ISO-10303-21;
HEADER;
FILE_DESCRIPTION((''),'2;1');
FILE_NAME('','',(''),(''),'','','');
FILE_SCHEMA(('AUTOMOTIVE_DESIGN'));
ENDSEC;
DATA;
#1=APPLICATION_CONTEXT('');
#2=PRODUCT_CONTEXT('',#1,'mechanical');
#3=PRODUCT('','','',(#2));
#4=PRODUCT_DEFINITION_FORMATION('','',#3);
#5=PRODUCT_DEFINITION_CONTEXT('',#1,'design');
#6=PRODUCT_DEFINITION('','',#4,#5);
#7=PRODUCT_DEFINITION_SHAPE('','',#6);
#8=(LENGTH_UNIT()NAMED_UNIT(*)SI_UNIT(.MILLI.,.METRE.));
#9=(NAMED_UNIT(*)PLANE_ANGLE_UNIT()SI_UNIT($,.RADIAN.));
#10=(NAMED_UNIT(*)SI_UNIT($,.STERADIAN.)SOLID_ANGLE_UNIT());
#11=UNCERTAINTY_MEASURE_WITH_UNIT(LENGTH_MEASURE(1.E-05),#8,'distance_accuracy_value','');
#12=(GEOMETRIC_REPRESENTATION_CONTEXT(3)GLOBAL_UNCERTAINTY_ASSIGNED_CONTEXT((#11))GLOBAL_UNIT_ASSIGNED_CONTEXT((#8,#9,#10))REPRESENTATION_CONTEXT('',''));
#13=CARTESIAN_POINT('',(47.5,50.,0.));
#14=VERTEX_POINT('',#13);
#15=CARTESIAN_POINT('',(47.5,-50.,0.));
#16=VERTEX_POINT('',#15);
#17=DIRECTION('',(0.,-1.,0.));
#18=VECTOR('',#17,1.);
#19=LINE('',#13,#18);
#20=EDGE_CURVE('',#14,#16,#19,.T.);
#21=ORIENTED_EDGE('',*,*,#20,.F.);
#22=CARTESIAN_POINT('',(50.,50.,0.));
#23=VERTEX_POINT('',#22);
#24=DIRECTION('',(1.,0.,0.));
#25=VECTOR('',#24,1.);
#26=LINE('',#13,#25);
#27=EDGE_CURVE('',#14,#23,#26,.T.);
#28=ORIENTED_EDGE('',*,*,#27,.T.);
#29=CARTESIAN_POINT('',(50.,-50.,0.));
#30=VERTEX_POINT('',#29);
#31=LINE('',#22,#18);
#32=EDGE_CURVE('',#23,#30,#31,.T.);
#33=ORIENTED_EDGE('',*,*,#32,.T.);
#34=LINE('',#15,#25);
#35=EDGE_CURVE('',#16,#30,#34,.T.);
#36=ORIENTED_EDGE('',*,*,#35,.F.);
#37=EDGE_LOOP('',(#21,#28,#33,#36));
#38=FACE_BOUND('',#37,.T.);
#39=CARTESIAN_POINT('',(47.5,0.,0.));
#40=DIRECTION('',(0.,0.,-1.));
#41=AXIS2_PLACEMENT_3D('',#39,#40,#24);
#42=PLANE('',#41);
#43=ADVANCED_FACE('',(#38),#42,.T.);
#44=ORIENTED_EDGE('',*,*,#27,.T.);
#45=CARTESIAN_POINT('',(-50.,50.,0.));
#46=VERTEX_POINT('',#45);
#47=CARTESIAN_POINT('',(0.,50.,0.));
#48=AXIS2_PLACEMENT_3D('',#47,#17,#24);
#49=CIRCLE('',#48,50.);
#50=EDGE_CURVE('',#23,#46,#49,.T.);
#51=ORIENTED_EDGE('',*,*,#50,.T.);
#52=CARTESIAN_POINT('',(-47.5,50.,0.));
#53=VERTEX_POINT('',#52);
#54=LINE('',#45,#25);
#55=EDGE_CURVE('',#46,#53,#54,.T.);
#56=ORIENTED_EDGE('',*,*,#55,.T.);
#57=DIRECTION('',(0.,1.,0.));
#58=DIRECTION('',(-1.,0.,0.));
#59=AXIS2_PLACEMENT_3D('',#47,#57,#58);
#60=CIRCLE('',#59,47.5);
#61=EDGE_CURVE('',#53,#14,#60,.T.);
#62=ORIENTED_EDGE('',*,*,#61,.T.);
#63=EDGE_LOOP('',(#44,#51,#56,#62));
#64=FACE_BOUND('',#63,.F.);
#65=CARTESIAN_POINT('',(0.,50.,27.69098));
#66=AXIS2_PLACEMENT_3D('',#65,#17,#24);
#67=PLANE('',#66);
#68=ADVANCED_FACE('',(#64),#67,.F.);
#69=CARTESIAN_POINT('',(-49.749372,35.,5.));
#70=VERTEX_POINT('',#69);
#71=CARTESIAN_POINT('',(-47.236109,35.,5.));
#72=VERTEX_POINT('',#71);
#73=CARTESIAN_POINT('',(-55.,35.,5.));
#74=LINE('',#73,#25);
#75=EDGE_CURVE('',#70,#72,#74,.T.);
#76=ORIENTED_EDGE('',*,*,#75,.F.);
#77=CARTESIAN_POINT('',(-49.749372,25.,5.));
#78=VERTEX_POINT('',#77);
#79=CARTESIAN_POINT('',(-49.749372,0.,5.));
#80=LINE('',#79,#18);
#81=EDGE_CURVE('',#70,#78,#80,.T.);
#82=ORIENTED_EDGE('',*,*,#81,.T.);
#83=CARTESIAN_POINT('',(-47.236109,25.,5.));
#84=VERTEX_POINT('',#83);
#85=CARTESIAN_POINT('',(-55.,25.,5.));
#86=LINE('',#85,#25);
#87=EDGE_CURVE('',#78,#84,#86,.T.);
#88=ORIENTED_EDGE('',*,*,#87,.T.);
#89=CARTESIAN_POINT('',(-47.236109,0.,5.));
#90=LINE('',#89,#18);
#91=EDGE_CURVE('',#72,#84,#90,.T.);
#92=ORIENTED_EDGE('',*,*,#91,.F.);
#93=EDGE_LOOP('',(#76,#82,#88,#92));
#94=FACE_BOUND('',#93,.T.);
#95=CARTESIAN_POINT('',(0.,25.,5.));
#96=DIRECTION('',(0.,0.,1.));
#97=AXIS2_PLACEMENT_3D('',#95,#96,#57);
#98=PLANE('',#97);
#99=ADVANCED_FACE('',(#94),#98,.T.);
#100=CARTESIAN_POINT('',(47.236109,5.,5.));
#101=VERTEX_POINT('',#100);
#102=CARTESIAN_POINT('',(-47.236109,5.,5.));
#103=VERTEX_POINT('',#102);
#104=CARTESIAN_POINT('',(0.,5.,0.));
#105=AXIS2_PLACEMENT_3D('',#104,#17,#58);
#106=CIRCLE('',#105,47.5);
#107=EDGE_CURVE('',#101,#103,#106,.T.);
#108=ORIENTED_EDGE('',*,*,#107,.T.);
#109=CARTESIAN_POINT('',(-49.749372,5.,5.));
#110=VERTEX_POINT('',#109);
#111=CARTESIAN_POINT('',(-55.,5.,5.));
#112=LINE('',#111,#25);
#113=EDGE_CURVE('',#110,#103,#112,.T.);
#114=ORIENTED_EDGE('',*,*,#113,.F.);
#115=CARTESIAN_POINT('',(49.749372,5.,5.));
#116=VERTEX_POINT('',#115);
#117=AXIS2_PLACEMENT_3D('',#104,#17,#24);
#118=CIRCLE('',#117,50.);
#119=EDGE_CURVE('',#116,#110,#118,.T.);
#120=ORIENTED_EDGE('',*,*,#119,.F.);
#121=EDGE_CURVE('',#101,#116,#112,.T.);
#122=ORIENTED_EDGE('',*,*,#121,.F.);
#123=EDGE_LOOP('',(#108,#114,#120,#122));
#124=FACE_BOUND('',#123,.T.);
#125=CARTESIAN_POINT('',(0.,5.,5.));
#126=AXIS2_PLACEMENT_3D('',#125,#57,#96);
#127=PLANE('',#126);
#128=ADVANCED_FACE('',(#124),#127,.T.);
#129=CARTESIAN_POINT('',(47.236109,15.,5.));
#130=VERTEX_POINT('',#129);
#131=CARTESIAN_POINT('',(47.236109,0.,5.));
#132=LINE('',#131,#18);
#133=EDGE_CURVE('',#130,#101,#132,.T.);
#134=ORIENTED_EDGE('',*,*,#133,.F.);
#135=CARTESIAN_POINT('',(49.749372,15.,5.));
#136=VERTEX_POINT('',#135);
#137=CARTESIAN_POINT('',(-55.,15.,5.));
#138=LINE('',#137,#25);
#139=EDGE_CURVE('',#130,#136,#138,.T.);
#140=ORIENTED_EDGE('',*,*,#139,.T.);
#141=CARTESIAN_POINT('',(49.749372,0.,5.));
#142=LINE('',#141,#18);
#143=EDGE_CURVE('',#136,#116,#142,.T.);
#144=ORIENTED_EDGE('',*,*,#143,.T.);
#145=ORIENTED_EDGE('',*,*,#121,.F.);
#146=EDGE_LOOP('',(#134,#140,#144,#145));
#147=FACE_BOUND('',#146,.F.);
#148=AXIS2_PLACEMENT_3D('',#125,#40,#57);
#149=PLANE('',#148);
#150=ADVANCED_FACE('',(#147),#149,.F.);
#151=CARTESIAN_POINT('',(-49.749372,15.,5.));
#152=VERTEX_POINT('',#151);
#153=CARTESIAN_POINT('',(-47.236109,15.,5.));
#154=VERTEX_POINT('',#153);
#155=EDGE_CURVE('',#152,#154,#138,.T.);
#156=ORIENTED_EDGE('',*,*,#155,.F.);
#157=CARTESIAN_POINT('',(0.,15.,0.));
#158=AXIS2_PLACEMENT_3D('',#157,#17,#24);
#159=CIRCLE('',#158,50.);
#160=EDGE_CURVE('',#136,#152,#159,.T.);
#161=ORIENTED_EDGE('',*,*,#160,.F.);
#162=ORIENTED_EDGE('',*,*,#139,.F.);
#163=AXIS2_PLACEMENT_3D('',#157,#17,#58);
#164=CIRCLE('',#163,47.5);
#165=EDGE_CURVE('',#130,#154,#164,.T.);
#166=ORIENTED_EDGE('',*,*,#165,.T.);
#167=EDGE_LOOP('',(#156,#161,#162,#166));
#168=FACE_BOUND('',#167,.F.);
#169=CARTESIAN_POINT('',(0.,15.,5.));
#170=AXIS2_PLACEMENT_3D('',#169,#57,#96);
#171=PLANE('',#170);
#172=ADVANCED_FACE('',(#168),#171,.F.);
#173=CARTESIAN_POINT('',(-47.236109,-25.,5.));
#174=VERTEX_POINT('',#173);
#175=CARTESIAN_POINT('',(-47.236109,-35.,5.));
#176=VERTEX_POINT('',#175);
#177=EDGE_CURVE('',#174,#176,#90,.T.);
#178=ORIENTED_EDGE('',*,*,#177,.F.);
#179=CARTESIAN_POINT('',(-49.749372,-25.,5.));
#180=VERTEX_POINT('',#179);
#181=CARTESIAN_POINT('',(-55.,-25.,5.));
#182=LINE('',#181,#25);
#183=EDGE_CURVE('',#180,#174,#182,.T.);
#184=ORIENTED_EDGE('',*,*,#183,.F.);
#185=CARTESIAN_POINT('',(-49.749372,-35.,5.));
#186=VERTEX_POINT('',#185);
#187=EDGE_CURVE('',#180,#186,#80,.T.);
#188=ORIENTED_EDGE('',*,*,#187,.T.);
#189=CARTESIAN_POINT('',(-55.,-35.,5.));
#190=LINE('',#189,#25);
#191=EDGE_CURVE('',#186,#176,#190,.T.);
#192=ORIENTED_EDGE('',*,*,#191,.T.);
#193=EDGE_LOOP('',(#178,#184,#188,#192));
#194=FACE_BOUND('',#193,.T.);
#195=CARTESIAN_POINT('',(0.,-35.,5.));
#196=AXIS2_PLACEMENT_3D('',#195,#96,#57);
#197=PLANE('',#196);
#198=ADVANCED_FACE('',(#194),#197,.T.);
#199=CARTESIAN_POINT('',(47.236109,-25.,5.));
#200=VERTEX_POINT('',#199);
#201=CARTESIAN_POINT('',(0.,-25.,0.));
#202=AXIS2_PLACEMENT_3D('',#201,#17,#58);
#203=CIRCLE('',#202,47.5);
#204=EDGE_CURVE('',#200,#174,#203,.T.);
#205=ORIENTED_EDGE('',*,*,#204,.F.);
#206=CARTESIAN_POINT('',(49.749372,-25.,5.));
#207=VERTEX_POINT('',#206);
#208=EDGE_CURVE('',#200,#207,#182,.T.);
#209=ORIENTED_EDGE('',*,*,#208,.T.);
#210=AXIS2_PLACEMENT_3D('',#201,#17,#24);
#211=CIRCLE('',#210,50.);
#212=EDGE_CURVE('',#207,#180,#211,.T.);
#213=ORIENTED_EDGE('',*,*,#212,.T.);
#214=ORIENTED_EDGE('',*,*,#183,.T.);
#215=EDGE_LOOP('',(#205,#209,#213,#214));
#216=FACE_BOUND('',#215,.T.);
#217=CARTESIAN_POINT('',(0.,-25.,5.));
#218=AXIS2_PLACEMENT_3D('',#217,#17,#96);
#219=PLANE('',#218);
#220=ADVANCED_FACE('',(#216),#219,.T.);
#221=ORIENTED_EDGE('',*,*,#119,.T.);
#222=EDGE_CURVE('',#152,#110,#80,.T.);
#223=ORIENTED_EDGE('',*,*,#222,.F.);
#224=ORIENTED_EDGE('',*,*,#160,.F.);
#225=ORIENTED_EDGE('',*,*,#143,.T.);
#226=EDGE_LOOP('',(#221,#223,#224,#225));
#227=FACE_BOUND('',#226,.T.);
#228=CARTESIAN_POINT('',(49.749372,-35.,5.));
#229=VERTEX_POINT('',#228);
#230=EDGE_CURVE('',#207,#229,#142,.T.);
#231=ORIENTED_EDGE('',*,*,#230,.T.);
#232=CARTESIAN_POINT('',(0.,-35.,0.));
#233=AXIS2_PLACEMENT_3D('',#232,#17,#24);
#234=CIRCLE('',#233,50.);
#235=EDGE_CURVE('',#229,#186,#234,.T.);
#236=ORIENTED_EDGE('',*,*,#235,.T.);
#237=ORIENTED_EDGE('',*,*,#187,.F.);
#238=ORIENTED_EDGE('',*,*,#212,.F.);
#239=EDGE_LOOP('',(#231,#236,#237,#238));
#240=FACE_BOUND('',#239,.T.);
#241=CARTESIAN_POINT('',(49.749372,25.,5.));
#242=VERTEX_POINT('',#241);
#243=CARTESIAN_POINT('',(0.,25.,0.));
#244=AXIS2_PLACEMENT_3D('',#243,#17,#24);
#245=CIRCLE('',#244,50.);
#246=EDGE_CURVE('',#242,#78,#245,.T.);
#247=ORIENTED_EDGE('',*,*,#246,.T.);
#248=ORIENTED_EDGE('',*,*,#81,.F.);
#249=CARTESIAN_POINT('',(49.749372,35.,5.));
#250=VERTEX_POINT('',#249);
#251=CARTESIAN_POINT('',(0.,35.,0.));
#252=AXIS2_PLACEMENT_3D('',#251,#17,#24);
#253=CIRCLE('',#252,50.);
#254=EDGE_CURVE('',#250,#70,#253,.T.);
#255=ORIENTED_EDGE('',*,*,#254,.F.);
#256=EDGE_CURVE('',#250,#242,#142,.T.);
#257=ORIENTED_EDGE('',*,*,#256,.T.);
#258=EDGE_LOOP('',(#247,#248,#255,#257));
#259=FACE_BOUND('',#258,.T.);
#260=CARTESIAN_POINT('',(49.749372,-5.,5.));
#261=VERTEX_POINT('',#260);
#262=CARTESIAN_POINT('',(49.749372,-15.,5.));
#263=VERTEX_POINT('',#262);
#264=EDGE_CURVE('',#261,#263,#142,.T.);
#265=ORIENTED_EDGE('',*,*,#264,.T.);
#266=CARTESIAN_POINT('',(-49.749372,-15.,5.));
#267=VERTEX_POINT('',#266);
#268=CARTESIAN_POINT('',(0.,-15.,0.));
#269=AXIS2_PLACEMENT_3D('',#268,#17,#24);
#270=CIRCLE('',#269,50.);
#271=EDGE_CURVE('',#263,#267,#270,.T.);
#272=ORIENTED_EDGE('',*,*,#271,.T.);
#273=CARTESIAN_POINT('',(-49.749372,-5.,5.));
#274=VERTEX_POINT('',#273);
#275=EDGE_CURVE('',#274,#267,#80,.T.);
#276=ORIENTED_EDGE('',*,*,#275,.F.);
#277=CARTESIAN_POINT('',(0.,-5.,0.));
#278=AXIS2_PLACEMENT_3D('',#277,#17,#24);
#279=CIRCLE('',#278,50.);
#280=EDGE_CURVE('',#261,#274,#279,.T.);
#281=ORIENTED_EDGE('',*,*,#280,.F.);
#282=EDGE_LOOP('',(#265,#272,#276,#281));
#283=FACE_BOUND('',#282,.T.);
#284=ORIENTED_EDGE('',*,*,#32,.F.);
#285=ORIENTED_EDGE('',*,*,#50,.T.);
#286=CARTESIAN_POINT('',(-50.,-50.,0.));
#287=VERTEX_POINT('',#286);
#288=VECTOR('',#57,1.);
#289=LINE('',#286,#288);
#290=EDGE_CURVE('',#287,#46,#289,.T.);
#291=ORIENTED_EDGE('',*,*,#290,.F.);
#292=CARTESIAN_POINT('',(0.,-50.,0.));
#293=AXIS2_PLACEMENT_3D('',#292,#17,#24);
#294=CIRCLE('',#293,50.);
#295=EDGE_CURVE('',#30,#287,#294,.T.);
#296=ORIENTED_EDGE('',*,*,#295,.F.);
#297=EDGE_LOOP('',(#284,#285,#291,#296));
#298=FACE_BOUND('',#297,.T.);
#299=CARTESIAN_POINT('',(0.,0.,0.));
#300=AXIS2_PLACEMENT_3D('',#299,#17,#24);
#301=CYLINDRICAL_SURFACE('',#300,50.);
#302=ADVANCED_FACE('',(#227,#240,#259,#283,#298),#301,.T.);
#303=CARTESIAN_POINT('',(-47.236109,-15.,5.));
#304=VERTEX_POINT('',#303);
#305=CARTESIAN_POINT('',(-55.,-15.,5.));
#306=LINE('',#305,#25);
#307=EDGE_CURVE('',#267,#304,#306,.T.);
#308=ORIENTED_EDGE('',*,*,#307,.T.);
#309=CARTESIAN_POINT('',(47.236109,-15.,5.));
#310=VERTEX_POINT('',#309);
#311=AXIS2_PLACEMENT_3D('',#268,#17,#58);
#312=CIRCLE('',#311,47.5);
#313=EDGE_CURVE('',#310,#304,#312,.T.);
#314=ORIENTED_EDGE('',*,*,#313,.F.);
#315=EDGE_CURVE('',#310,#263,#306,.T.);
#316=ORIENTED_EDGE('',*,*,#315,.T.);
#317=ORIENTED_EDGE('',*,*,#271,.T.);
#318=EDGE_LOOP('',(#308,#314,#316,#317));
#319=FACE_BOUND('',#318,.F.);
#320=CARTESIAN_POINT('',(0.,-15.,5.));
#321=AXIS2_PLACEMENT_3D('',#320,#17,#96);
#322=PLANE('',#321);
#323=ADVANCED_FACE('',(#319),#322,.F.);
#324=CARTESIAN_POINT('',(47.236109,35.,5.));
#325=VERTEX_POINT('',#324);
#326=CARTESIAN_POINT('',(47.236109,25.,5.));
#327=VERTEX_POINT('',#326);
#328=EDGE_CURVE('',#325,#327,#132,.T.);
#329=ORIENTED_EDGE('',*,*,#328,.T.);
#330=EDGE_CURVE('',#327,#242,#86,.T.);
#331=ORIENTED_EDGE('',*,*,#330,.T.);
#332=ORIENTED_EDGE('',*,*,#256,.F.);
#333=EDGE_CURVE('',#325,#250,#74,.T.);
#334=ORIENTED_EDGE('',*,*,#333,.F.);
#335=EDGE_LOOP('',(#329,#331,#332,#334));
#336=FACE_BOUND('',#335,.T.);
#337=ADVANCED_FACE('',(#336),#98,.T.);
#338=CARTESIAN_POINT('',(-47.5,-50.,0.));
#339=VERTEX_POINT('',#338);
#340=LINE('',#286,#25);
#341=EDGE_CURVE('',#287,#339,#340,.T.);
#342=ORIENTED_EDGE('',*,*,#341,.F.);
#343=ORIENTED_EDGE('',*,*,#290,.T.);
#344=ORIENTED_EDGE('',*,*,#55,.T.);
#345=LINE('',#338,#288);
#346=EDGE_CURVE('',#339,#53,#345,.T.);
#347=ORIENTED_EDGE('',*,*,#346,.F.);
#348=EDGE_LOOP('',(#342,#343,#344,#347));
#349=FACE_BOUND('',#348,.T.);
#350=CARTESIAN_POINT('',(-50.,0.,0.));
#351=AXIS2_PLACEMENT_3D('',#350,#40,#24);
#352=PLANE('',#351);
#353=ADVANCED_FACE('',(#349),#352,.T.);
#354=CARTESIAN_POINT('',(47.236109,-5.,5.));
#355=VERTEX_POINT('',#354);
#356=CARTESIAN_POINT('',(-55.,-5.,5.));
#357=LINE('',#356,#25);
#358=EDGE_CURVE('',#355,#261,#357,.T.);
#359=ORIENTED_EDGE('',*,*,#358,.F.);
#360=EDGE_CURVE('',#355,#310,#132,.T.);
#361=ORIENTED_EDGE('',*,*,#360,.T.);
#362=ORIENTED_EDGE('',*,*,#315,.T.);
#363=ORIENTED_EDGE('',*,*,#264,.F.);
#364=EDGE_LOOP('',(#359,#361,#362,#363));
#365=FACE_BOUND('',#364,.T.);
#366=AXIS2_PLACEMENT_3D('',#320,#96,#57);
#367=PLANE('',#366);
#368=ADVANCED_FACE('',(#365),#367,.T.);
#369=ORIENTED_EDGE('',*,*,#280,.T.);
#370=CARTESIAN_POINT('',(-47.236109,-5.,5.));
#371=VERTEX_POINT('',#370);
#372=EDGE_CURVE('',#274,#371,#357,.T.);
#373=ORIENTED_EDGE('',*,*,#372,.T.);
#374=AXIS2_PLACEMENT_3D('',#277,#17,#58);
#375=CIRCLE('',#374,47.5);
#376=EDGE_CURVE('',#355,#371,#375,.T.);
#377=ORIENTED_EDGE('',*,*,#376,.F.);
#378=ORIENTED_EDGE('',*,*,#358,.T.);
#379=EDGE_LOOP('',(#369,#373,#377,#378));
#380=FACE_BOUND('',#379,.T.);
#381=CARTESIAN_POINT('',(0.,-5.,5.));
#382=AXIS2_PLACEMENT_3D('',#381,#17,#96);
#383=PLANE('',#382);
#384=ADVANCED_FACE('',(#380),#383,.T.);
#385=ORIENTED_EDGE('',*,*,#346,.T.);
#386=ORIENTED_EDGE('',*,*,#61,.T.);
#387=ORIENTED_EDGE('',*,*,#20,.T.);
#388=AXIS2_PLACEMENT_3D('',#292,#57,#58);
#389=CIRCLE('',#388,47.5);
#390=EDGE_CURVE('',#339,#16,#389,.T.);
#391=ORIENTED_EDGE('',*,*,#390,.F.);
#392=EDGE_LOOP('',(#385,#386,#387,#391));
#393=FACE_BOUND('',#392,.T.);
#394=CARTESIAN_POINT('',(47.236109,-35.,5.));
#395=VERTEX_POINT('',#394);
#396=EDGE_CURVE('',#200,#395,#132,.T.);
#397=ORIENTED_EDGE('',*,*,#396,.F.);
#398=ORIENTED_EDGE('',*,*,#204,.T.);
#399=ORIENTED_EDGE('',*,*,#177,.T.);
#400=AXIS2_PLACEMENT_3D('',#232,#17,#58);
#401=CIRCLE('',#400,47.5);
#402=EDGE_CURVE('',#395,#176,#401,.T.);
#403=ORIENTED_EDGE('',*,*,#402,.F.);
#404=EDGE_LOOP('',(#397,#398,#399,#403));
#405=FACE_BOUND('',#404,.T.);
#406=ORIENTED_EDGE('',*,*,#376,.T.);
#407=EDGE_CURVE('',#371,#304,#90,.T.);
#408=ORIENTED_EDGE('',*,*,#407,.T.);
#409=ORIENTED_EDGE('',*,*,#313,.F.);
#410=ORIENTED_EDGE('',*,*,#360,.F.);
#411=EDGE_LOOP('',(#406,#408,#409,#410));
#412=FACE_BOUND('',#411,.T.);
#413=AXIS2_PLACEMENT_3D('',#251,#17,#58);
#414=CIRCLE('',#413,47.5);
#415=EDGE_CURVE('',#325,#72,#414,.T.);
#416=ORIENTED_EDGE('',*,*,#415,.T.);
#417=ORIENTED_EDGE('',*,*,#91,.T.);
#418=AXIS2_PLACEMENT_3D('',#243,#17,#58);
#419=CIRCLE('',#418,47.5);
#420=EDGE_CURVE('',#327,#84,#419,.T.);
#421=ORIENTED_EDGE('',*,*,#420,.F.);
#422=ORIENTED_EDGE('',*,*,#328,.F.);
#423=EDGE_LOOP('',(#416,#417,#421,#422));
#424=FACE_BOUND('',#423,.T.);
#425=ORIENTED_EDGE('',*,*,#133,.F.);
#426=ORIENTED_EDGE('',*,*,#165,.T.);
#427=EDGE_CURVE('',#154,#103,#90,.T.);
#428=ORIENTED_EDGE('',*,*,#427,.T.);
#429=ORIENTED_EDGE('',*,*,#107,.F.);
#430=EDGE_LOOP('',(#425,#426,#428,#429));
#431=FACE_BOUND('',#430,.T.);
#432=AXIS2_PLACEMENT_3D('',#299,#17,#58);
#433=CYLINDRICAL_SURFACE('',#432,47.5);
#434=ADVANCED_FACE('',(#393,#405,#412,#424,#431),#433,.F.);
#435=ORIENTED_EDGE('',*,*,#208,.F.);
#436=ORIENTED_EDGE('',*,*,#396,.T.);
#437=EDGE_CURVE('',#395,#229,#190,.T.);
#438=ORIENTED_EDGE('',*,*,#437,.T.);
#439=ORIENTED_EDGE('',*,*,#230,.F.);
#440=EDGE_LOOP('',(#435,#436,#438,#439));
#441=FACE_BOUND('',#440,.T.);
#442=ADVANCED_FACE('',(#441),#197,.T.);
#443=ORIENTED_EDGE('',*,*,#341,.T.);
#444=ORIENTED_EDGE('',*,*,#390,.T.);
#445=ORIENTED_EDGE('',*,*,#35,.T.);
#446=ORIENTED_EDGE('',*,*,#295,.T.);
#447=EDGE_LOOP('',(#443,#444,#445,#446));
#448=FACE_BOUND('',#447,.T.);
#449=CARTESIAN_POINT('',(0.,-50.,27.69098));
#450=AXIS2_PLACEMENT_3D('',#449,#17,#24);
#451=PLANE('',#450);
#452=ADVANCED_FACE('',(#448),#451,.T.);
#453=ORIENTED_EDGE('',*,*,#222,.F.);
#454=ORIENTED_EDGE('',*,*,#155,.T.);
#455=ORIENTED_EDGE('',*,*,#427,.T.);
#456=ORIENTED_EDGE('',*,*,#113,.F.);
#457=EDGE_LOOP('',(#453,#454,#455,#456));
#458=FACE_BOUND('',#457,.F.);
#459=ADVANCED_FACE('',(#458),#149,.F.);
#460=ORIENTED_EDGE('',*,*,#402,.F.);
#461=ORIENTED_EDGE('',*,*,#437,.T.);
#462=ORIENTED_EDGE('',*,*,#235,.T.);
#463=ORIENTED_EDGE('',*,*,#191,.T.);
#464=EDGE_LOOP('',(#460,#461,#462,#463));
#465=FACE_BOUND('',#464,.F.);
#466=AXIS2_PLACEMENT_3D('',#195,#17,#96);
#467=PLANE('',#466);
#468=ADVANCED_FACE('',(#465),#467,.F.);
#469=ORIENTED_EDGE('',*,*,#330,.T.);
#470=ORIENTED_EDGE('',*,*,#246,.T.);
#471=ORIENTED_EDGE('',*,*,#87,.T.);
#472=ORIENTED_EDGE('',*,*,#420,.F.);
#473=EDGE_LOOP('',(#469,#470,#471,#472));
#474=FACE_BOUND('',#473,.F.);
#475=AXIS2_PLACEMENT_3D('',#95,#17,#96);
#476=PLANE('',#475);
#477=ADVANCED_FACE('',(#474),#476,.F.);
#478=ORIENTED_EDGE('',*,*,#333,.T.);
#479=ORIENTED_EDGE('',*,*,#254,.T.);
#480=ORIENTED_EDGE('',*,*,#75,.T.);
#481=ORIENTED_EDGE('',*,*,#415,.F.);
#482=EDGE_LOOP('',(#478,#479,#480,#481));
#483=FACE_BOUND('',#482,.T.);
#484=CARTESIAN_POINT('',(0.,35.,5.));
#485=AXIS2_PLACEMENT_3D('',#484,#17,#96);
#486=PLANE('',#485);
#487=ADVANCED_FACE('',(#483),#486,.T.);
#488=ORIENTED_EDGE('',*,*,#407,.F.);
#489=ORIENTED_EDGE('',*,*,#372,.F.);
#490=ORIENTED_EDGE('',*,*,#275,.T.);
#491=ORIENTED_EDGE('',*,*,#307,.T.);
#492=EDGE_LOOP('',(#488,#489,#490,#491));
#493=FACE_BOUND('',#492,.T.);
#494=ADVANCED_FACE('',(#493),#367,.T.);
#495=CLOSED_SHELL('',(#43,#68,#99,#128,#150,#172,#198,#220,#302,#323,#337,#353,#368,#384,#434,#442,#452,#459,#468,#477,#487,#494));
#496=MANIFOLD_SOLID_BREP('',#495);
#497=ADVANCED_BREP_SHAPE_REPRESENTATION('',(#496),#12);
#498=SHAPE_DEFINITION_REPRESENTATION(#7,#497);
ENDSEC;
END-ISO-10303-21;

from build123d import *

# Parameters (mm, degrees)
F1_DEPTH = 50
F2_W     = 10
F2_H     = 57.955864
F3_DEPTH = 55


with BuildPart() as f1:
    # F0 (on Front) → F1 (new body, symmetric)
    with BuildSketch(Plane.XZ):
        with BuildLine():
            ThreePointArc((-47.5, 0), (0, 47.5), (47.5, 0))
            Line((47.5, 0), (50, 0))
            ThreePointArc((50, 0), (0, 50), (-50, 0))
            Line((-50, 0), (-47.5, 0))
        make_face()
    extrude(amount=F1_DEPTH, both=True)

    # F2 (on Right) → F3 (cut, symmetric)
    with BuildSketch(Plane.YZ):
        with Locations((-30, 33.977932)):
            Rectangle(F2_W, F2_H)
        with Locations((30, 33.977932)):
            Rectangle(F2_W, F2_H)
        with Locations((-10, 33.977932)):
            Rectangle(F2_W, F2_H)
        with Locations((10, 33.977932)):
            Rectangle(F2_W, F2_H)
    extrude(amount=F3_DEPTH, both=True, mode=Mode.SUBTRACT)


solid = f1.part
